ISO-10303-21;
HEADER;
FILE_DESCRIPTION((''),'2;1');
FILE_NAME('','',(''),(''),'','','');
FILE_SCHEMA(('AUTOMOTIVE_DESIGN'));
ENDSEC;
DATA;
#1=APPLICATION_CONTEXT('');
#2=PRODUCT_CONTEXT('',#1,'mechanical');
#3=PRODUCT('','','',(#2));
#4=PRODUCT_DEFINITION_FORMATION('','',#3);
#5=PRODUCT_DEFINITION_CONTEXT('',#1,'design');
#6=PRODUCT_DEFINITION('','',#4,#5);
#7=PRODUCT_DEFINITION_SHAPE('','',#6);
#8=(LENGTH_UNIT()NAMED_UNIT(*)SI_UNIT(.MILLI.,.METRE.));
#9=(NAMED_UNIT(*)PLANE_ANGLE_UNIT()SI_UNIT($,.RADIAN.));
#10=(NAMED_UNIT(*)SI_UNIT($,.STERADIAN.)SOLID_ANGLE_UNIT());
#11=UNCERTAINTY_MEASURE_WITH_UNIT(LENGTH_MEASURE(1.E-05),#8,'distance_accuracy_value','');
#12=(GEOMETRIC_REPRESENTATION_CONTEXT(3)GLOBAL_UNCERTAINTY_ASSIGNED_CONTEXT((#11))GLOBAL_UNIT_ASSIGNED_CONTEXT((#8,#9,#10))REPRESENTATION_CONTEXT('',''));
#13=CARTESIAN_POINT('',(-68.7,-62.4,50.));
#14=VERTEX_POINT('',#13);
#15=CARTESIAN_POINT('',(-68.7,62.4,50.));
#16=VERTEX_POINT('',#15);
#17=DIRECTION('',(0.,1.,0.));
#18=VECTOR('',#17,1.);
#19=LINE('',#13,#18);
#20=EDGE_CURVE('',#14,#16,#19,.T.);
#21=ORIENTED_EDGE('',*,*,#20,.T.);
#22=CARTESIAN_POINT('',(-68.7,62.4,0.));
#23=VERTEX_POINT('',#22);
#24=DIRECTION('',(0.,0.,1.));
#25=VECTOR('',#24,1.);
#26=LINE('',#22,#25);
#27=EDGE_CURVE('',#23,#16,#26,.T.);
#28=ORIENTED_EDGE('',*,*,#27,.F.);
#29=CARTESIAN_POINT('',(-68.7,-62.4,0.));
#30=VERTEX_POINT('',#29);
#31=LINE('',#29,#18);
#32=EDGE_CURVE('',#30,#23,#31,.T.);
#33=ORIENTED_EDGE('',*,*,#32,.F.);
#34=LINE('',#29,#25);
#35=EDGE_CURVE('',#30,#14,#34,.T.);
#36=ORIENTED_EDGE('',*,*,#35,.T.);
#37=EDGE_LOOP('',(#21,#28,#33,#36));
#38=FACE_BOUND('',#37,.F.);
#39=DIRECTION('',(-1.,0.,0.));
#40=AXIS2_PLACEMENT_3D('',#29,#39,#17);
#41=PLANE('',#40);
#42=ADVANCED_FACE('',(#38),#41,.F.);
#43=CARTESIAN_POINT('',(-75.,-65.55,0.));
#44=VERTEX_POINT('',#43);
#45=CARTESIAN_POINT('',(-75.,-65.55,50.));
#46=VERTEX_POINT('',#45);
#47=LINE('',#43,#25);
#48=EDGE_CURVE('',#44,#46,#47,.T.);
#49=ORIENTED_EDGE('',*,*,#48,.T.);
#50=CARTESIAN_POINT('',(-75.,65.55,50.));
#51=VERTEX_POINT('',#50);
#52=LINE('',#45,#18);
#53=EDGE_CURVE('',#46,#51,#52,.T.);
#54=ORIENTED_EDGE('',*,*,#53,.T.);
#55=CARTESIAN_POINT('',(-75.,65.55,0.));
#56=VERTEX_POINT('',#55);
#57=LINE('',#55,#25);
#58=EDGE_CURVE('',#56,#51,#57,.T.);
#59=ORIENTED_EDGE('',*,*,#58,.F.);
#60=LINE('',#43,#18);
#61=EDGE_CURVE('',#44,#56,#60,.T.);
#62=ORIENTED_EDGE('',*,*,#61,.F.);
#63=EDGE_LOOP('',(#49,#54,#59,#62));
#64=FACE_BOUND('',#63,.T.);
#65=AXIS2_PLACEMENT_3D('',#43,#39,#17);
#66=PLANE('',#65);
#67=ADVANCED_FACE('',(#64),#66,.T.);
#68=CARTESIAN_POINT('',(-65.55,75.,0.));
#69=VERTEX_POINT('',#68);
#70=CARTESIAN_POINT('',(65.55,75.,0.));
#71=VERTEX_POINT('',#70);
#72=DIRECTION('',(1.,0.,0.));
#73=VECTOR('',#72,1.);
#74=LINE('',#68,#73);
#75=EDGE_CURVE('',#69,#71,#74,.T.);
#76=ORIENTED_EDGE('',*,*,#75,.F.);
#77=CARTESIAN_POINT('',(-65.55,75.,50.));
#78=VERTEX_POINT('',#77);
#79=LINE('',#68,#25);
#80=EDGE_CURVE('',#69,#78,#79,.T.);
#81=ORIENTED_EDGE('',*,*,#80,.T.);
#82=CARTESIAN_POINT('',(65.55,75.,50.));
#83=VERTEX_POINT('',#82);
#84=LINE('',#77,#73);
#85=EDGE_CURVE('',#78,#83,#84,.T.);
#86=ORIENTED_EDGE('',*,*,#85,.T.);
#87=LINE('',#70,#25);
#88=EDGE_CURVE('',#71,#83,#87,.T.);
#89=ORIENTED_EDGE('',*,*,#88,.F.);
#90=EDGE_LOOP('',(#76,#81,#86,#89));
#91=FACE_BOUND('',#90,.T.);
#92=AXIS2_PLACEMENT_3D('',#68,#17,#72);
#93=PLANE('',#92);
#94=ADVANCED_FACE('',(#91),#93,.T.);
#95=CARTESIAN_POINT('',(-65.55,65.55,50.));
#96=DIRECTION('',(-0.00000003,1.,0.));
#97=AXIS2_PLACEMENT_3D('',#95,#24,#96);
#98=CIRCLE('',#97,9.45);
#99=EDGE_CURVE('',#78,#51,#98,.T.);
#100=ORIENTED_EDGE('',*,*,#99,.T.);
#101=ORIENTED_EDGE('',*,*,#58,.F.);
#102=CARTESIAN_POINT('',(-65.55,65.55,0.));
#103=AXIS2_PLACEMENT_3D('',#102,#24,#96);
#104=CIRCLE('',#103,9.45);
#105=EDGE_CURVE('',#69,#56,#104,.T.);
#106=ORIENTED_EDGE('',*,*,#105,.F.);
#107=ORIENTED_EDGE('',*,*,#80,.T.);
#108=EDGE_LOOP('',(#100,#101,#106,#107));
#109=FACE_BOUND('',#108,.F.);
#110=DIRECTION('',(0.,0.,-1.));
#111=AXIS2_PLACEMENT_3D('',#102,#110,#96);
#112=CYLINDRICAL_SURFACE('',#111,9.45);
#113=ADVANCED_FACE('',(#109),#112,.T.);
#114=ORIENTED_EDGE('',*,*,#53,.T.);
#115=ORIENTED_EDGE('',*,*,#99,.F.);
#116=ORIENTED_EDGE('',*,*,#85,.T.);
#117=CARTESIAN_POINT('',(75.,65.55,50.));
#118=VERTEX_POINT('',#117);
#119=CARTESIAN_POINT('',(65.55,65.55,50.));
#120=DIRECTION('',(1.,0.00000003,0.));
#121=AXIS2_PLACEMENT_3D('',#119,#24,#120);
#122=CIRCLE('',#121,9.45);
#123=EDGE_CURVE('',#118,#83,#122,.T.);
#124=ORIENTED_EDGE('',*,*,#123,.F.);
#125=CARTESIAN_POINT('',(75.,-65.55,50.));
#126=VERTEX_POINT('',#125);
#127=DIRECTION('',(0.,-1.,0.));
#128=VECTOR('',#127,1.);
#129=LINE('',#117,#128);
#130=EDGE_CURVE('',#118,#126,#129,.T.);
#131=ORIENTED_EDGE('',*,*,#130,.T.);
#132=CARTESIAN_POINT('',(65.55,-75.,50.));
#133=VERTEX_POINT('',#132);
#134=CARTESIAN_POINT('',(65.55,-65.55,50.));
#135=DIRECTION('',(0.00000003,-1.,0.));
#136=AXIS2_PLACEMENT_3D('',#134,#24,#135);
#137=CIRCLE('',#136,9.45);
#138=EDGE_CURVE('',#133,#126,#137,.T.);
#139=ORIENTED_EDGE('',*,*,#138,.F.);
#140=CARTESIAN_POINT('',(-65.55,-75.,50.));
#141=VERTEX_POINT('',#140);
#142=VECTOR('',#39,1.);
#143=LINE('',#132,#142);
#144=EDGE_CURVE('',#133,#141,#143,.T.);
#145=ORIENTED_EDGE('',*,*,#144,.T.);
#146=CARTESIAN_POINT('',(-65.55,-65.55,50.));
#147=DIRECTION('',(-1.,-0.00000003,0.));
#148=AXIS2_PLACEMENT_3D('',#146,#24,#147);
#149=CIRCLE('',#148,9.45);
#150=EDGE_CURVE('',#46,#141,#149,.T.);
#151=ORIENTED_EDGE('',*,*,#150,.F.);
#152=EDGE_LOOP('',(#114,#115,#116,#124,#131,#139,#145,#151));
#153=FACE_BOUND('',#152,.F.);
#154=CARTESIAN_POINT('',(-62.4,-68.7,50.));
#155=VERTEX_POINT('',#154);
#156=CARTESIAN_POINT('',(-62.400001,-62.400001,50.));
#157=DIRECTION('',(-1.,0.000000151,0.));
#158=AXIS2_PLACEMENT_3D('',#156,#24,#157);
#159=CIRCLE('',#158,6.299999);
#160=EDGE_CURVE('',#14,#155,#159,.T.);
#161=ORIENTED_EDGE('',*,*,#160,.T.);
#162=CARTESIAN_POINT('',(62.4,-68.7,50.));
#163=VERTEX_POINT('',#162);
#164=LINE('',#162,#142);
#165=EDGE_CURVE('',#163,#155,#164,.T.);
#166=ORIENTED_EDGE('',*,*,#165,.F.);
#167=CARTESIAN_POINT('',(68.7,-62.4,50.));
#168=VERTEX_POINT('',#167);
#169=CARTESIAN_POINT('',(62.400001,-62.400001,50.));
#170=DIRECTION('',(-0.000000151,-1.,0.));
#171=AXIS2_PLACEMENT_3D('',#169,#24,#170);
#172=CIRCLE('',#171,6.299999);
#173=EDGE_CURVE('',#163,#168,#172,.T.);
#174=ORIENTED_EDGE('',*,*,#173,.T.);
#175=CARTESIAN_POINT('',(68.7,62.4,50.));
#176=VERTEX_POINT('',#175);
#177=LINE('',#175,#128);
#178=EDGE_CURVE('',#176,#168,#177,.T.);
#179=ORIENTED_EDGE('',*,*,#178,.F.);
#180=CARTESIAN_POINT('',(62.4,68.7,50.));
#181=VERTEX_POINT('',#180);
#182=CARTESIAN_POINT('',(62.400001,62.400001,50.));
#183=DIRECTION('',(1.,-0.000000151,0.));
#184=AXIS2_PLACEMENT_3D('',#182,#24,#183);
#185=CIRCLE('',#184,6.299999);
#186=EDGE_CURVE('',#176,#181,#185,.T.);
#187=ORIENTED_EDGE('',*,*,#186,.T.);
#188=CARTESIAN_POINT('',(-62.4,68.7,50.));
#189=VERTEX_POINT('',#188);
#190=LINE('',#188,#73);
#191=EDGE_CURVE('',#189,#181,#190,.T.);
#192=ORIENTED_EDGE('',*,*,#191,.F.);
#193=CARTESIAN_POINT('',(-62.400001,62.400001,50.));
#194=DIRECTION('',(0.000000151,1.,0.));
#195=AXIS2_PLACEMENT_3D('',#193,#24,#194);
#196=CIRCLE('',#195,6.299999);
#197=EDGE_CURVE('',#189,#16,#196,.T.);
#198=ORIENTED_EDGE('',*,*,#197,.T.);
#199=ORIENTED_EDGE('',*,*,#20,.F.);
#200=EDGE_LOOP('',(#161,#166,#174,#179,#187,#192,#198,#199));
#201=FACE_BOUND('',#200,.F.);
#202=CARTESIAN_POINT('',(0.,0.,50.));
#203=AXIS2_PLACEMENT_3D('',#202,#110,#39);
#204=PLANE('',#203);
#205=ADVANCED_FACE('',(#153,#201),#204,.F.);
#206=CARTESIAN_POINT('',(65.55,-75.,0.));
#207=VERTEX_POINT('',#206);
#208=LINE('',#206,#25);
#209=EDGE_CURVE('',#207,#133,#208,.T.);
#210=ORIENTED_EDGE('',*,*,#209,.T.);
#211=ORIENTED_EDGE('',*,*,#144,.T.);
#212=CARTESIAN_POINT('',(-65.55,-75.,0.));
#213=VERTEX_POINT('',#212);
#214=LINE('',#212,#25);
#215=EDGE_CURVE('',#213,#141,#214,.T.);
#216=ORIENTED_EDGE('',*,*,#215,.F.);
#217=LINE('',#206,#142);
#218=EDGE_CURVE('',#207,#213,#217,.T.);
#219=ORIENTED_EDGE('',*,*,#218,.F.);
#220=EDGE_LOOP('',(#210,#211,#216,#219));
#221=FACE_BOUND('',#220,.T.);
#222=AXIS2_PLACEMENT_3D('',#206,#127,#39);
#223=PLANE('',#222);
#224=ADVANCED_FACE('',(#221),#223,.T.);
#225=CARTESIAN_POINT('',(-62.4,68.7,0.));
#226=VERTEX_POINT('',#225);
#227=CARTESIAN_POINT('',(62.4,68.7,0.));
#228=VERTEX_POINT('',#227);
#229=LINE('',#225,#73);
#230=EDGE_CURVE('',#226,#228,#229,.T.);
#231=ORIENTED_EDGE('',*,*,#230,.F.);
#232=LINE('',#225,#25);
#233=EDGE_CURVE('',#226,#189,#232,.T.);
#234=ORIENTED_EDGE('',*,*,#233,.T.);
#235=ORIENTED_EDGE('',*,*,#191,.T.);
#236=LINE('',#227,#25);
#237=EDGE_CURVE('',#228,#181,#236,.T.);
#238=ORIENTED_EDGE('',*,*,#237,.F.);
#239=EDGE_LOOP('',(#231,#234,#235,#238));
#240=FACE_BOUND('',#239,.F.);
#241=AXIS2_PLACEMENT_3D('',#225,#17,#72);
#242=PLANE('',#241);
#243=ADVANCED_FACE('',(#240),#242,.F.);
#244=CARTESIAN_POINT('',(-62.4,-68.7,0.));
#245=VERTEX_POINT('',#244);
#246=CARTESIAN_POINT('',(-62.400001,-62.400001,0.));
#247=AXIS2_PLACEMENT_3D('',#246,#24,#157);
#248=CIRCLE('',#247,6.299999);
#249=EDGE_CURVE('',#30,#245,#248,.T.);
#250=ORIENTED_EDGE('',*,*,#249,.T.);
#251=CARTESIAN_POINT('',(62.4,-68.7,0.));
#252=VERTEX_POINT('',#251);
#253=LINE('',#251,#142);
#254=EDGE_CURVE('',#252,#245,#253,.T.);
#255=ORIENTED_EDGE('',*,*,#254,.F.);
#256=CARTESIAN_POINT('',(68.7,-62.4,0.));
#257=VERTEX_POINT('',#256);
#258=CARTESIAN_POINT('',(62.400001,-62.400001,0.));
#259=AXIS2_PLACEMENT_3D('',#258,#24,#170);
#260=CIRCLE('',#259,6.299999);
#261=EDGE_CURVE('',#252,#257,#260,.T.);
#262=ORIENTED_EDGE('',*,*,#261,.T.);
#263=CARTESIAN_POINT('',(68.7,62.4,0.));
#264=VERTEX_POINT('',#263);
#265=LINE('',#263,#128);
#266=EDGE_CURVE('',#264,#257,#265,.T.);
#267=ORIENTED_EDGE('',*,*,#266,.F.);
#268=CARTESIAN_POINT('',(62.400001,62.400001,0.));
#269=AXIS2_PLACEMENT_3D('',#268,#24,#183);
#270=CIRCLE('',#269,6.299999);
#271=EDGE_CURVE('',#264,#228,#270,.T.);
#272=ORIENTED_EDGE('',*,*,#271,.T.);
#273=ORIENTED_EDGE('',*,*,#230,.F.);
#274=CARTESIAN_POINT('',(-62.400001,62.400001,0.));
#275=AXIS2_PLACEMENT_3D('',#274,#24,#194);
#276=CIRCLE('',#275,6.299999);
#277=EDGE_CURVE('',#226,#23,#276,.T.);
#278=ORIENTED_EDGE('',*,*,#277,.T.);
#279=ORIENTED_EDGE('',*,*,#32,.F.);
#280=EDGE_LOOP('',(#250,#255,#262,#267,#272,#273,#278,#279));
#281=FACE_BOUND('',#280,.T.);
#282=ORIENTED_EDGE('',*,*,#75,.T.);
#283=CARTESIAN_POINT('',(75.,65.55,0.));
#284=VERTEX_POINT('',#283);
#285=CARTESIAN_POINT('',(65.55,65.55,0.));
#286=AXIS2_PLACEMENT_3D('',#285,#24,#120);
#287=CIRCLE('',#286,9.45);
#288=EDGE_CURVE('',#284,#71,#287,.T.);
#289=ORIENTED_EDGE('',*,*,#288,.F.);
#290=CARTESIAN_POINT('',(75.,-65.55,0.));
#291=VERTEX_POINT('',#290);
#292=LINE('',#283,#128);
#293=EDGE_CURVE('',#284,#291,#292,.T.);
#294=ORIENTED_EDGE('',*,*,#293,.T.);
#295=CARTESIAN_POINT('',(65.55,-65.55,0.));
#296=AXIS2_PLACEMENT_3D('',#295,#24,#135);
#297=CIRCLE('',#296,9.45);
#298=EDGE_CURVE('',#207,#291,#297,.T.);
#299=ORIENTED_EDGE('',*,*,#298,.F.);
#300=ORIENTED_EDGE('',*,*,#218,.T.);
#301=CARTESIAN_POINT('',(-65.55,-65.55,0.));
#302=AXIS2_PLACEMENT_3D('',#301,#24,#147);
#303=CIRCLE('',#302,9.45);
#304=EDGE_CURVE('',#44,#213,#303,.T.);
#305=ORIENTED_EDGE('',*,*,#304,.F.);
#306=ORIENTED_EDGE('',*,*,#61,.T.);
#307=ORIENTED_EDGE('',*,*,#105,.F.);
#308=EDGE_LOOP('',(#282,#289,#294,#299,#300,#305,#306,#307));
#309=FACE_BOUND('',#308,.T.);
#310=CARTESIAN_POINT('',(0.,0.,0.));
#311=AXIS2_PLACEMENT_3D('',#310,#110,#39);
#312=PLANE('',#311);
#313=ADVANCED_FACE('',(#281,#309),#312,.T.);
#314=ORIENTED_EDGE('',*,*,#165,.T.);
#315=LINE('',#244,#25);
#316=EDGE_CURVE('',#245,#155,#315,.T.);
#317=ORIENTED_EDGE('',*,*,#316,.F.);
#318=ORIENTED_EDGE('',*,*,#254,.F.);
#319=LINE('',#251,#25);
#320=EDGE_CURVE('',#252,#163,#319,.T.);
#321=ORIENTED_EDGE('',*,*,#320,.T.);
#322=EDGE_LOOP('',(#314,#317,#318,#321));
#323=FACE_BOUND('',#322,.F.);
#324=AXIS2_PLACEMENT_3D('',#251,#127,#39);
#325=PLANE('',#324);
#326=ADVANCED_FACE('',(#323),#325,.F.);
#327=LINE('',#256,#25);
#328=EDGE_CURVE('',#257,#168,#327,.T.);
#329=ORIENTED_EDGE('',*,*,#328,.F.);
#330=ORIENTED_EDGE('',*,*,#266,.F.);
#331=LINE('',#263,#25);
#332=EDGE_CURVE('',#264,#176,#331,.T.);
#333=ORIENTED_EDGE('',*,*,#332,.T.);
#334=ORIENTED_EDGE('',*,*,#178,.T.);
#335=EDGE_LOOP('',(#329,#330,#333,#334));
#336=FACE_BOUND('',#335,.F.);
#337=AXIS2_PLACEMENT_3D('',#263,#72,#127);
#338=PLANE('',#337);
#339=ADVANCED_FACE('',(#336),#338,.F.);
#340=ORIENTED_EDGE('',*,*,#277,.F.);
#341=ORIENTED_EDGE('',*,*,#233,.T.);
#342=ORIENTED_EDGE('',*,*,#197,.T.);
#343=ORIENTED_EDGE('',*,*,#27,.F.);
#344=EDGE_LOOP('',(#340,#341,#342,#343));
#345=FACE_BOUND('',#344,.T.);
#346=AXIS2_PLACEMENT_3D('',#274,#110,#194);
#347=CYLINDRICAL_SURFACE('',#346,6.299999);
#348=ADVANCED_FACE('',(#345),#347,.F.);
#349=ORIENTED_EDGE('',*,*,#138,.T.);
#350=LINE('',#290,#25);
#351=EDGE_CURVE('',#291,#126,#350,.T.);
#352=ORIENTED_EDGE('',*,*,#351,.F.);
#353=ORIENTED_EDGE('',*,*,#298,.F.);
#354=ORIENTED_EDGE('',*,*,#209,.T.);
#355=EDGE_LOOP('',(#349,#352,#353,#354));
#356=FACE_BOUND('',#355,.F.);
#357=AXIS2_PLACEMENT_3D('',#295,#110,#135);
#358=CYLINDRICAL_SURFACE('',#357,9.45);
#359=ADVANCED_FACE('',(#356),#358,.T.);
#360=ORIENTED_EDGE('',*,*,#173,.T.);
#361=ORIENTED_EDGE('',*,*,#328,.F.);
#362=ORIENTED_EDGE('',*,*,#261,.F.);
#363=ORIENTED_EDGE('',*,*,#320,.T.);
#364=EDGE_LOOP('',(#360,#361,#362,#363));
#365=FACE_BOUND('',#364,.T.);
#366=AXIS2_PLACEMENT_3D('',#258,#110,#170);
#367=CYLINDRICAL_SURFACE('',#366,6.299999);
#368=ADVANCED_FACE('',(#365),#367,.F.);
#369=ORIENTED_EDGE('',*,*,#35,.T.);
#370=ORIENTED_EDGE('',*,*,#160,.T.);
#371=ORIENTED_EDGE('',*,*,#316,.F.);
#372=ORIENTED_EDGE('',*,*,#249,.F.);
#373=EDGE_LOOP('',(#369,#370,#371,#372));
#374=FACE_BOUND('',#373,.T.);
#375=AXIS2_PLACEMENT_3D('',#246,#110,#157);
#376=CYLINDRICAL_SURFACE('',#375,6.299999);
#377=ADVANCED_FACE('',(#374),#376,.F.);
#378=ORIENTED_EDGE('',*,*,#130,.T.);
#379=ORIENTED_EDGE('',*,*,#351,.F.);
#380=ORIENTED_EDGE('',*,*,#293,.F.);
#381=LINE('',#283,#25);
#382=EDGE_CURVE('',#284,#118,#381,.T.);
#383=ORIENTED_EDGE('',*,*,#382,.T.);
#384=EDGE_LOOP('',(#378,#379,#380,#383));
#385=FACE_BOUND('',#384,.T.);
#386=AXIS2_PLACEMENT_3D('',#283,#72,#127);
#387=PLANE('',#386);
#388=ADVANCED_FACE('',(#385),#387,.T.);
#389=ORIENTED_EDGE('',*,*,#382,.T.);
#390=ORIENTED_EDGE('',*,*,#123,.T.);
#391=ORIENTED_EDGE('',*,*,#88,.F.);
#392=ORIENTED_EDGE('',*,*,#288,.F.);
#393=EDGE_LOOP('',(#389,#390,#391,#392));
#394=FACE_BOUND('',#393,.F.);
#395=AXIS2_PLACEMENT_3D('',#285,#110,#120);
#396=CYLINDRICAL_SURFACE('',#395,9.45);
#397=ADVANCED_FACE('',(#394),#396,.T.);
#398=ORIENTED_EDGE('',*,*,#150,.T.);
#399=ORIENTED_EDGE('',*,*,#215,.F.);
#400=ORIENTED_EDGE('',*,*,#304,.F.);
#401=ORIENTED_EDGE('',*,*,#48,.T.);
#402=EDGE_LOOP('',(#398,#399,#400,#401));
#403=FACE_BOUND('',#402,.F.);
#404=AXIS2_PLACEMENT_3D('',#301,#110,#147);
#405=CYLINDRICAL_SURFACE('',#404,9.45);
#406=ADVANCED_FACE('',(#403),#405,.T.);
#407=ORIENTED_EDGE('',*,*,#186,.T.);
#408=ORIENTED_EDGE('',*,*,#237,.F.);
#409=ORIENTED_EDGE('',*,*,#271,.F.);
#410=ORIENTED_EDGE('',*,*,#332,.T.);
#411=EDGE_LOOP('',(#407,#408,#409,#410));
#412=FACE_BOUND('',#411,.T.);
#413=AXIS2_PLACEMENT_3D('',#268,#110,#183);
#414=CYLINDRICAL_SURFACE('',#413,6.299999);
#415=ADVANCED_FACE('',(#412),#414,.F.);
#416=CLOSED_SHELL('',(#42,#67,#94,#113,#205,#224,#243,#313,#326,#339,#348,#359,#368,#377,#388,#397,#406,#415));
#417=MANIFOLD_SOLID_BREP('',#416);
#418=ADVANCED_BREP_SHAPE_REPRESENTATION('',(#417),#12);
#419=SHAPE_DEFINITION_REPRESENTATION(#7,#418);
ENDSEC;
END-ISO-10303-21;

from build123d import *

# Parameters (mm, degrees)
EXTRUDE_DEPTH = 50


with BuildPart() as part:
    # Sketch → Extrude (new body)
    with BuildSketch(Plane.XY):
        with BuildLine():
            Line((-65.55, 75), (65.55, 75))
            ThreePointArc((75, 65.55), (72.232159, 72.232159), (65.55, 75))
            Line((75, 65.55), (75, -65.55))
            ThreePointArc((65.55, -75), (72.232159, -72.232159), (75, -65.55))
            Line((65.55, -75), (-65.55, -75))
            ThreePointArc((-75, -65.55), (-72.232159, -72.232159), (-65.55, -75))
            Line((-75, -65.55), (-75, 65.55))
            ThreePointArc((-65.55, 75), (-72.232159, 72.232159), (-75, 65.55))
        make_face()
        with BuildLine():
            Line((-62.4, 68.7), (62.4, 68.7))
            ThreePointArc((68.7, 62.4), (66.854773, 66.854773), (62.4, 68.7))
            Line((68.7, 62.4), (68.7, -62.4))
            ThreePointArc((62.4, -68.7), (66.854773, -66.854773), (68.7, -62.4))
            Line((62.4, -68.7), (-62.4, -68.7))
            ThreePointArc((-68.7, -62.4), (-66.854773, -66.854773), (-62.4, -68.7))
            Line((-68.7, -62.4), (-68.7, 62.4))
            ThreePointArc((-62.4, 68.7), (-66.854773, 66.854773), (-68.7, 62.4))
        make_face(mode=Mode.SUBTRACT)
    extrude(amount=EXTRUDE_DEPTH)


solid = part.part
